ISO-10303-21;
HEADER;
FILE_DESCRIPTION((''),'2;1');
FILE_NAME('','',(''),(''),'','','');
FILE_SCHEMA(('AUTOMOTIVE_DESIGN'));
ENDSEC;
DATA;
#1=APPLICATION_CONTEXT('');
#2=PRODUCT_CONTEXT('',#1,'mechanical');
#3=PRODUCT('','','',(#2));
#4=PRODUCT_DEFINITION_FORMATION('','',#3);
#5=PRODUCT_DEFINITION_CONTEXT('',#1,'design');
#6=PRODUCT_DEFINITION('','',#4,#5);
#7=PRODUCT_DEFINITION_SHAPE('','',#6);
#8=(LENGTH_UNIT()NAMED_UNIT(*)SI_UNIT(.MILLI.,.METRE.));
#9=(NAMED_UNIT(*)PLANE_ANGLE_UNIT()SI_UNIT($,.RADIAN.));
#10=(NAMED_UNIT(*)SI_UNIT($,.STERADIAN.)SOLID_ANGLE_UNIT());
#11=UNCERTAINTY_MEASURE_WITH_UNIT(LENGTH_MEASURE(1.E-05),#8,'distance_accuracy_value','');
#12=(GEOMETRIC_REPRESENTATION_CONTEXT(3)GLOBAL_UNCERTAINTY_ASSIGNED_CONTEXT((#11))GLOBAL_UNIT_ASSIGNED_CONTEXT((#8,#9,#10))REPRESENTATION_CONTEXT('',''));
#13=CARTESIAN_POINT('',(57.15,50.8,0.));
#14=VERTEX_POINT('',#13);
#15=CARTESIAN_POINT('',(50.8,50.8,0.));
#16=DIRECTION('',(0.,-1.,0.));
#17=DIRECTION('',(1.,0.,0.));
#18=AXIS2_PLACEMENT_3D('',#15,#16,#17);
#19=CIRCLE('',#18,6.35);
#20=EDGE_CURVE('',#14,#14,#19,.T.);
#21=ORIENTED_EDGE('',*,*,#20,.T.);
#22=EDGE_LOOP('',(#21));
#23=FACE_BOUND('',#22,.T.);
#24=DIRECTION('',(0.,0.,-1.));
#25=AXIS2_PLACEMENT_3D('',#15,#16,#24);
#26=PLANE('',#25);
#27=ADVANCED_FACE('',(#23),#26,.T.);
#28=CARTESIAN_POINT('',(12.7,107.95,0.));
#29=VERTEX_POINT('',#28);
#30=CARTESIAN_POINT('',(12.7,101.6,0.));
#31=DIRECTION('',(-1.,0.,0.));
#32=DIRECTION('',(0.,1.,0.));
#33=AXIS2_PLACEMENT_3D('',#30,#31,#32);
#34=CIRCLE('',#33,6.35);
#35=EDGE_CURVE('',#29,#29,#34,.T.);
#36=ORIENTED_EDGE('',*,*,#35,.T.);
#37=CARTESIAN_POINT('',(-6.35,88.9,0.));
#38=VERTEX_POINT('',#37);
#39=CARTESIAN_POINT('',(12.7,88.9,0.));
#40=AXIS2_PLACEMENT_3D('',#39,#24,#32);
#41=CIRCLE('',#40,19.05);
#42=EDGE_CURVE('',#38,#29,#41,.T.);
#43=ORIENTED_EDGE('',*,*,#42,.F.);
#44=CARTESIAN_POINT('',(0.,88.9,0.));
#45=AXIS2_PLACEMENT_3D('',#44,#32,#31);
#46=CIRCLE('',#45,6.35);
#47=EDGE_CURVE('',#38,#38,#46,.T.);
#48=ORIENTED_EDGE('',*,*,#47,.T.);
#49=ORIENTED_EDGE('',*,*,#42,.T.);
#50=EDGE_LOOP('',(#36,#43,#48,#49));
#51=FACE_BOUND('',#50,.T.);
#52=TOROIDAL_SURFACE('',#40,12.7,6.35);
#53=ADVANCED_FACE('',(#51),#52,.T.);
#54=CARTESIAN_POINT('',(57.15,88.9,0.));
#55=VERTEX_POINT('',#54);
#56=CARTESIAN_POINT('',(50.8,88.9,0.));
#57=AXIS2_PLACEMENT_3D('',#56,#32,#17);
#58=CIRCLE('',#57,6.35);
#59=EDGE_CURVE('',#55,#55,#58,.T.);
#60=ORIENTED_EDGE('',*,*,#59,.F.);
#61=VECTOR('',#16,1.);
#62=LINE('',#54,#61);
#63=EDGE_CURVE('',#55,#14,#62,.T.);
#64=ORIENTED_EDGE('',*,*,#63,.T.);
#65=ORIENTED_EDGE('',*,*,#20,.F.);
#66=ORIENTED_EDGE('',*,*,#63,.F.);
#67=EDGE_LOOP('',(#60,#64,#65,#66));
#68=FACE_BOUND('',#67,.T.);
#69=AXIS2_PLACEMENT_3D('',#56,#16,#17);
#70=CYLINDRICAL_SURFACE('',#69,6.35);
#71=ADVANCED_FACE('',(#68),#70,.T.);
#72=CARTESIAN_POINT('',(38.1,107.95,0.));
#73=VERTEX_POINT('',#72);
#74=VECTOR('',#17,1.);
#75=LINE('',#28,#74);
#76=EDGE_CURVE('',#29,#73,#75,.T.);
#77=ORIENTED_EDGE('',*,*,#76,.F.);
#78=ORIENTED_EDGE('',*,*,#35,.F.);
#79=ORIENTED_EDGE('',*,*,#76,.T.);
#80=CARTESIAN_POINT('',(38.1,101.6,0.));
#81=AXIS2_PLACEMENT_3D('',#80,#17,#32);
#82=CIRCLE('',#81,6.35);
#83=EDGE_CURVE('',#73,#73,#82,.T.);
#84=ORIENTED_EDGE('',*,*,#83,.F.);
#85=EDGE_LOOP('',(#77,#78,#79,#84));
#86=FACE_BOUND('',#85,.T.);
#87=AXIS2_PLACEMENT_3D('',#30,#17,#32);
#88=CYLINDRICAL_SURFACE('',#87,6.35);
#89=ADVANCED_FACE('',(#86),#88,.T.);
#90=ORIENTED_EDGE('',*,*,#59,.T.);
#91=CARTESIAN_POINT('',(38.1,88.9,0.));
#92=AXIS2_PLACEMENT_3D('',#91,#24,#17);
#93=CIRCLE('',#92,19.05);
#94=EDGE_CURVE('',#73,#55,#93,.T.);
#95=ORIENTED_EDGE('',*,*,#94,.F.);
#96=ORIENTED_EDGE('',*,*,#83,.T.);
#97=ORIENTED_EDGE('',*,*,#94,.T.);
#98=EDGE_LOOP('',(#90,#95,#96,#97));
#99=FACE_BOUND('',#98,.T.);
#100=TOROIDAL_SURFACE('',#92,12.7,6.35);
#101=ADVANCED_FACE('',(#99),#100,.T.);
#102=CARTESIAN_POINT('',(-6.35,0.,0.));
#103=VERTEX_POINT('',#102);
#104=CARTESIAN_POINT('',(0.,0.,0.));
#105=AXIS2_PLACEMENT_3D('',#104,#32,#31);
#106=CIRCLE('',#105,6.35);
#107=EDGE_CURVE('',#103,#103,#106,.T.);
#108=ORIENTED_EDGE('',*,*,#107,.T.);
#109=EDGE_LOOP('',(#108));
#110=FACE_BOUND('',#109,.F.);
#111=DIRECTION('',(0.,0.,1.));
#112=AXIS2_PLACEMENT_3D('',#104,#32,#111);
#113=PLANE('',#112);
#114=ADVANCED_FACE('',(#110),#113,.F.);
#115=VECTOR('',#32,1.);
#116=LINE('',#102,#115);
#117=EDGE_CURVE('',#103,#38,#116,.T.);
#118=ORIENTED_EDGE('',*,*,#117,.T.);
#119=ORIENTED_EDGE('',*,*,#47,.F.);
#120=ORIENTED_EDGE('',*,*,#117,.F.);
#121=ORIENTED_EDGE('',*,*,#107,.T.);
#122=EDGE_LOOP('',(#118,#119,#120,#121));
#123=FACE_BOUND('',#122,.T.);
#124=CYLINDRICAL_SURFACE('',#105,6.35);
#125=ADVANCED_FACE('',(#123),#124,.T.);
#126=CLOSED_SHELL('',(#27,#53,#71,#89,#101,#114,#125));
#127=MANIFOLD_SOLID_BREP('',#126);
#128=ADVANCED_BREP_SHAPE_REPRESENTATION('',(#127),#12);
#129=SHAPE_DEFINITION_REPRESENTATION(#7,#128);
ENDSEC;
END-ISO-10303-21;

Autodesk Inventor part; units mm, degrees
ref_plane "YZ Plane" through (0, 0, 0) normal (1, 0, 0) x (0, 1, 0)
ref_plane "XZ Plane" through (0, 0, 0) normal (0, 1, 0) x (-1, 0, 0)
ref_plane "XY Plane" through (0, 0, 0) normal (0, 0, 1) x (1, 0, 0)
sketch "Sketch1" plane through (0, 0, 0) normal (0, 0, 1) x (1, 0, 0)
  line L0 (0, 0) -> (0, 88.9)
  line L1 (12.7, 101.6) -> (38.1, 101.6)
  line L2 (50.8, 88.9) -> (50.8, 50.8)
  arc A0 (12.7, 101.6) -> (0, 88.9) centre (12.7, 88.9) ccw
  arc A1 (50.8, 88.9) -> (38.1, 101.6) centre (38.1, 88.9) ccw
  point P0 (0, 101.6)
  point P1 (50.8, 101.6)
  dimension "d0" = 101.6
  dimension "d1" = 50.8
  dimension "d2" = 50.8
  dimension "d3" = 12.7
sketch "Sketch2" plane through (0, 0, 0) normal (0, 1, 0) x (-1, 0, 0)
  circle A0 centre (0, 0) radius 6.35
  dimension "d4" = 12.7
sweep "Sweep1" add profiles "Sketch2" path "Sketch1"
properties part number "SimpleHook"
